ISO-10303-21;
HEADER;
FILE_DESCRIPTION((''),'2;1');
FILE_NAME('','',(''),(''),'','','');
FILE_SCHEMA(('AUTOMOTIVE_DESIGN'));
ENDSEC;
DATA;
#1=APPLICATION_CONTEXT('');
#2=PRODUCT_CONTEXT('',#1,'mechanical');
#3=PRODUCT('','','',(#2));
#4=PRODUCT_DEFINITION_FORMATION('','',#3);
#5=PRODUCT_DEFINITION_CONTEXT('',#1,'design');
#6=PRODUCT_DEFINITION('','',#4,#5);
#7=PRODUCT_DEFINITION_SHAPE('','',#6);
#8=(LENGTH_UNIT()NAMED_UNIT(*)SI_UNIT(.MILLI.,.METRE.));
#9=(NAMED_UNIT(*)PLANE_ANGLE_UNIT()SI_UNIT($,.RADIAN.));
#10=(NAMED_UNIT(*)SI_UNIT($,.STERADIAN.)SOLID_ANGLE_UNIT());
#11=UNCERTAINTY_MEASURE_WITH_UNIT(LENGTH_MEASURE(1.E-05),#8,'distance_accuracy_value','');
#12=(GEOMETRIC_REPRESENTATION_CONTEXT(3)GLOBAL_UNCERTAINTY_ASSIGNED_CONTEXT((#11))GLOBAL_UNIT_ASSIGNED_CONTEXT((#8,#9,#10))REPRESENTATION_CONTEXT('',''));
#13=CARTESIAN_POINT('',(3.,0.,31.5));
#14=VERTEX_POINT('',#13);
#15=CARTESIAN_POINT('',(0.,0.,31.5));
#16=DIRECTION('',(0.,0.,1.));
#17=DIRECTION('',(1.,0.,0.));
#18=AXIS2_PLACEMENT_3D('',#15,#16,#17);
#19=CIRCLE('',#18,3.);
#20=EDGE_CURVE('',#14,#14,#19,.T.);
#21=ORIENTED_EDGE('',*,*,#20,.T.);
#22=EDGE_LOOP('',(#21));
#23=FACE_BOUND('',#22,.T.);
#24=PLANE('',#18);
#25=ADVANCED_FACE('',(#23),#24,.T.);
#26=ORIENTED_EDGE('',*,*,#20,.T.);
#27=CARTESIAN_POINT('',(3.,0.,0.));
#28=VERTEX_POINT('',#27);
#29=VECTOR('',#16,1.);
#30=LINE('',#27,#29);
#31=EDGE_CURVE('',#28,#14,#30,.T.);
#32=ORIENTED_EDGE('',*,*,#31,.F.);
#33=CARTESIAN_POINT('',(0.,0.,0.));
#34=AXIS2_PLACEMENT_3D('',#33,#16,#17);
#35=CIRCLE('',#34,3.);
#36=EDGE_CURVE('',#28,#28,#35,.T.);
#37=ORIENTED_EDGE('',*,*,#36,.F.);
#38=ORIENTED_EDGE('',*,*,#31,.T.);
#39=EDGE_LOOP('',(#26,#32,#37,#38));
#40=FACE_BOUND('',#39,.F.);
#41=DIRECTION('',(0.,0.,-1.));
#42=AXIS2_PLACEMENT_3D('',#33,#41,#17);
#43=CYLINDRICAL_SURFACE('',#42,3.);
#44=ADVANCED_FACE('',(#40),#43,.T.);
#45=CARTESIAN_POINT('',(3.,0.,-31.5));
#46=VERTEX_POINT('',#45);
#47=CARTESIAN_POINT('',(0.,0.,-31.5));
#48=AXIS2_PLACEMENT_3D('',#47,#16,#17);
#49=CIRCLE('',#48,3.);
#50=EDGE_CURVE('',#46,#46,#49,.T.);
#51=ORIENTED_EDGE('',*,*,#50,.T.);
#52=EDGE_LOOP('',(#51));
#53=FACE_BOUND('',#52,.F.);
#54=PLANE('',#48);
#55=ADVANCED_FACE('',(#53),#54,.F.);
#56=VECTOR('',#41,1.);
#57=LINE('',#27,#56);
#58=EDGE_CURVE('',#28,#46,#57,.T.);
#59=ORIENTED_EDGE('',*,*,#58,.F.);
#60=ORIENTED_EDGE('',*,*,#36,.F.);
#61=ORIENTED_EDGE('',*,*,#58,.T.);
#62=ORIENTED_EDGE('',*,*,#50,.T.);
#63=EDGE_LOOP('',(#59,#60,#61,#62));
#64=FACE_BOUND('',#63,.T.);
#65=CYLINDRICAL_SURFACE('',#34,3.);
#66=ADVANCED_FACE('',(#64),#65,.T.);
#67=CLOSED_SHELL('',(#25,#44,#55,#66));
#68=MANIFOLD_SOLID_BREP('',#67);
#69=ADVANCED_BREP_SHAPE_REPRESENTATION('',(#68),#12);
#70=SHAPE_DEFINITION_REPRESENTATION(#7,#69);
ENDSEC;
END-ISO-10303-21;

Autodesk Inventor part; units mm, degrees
ref_plane "YZ Plane" through (0, 0, 0) normal (1, 0, 0) x (0, 1, 0)
ref_plane "XZ Plane" through (0, 0, 0) normal (0, 1, 0) x (-1, 0, 0)
ref_plane "XY Plane" through (0, 0, 0) normal (0, 0, 1) x (1, 0, 0)
sketch "Sketch1" plane through (0, 0, 0) normal (0, 0, 1) x (1, 0, 0)
  circle A0 centre (0, 0) radius 3
  dimension "d0" = 6
extrude "Extrusion1" add sketch "Sketch1" along normal mid plane 63
properties part number "Upper Rod Spider Crab" material "Steel, Alloy"
